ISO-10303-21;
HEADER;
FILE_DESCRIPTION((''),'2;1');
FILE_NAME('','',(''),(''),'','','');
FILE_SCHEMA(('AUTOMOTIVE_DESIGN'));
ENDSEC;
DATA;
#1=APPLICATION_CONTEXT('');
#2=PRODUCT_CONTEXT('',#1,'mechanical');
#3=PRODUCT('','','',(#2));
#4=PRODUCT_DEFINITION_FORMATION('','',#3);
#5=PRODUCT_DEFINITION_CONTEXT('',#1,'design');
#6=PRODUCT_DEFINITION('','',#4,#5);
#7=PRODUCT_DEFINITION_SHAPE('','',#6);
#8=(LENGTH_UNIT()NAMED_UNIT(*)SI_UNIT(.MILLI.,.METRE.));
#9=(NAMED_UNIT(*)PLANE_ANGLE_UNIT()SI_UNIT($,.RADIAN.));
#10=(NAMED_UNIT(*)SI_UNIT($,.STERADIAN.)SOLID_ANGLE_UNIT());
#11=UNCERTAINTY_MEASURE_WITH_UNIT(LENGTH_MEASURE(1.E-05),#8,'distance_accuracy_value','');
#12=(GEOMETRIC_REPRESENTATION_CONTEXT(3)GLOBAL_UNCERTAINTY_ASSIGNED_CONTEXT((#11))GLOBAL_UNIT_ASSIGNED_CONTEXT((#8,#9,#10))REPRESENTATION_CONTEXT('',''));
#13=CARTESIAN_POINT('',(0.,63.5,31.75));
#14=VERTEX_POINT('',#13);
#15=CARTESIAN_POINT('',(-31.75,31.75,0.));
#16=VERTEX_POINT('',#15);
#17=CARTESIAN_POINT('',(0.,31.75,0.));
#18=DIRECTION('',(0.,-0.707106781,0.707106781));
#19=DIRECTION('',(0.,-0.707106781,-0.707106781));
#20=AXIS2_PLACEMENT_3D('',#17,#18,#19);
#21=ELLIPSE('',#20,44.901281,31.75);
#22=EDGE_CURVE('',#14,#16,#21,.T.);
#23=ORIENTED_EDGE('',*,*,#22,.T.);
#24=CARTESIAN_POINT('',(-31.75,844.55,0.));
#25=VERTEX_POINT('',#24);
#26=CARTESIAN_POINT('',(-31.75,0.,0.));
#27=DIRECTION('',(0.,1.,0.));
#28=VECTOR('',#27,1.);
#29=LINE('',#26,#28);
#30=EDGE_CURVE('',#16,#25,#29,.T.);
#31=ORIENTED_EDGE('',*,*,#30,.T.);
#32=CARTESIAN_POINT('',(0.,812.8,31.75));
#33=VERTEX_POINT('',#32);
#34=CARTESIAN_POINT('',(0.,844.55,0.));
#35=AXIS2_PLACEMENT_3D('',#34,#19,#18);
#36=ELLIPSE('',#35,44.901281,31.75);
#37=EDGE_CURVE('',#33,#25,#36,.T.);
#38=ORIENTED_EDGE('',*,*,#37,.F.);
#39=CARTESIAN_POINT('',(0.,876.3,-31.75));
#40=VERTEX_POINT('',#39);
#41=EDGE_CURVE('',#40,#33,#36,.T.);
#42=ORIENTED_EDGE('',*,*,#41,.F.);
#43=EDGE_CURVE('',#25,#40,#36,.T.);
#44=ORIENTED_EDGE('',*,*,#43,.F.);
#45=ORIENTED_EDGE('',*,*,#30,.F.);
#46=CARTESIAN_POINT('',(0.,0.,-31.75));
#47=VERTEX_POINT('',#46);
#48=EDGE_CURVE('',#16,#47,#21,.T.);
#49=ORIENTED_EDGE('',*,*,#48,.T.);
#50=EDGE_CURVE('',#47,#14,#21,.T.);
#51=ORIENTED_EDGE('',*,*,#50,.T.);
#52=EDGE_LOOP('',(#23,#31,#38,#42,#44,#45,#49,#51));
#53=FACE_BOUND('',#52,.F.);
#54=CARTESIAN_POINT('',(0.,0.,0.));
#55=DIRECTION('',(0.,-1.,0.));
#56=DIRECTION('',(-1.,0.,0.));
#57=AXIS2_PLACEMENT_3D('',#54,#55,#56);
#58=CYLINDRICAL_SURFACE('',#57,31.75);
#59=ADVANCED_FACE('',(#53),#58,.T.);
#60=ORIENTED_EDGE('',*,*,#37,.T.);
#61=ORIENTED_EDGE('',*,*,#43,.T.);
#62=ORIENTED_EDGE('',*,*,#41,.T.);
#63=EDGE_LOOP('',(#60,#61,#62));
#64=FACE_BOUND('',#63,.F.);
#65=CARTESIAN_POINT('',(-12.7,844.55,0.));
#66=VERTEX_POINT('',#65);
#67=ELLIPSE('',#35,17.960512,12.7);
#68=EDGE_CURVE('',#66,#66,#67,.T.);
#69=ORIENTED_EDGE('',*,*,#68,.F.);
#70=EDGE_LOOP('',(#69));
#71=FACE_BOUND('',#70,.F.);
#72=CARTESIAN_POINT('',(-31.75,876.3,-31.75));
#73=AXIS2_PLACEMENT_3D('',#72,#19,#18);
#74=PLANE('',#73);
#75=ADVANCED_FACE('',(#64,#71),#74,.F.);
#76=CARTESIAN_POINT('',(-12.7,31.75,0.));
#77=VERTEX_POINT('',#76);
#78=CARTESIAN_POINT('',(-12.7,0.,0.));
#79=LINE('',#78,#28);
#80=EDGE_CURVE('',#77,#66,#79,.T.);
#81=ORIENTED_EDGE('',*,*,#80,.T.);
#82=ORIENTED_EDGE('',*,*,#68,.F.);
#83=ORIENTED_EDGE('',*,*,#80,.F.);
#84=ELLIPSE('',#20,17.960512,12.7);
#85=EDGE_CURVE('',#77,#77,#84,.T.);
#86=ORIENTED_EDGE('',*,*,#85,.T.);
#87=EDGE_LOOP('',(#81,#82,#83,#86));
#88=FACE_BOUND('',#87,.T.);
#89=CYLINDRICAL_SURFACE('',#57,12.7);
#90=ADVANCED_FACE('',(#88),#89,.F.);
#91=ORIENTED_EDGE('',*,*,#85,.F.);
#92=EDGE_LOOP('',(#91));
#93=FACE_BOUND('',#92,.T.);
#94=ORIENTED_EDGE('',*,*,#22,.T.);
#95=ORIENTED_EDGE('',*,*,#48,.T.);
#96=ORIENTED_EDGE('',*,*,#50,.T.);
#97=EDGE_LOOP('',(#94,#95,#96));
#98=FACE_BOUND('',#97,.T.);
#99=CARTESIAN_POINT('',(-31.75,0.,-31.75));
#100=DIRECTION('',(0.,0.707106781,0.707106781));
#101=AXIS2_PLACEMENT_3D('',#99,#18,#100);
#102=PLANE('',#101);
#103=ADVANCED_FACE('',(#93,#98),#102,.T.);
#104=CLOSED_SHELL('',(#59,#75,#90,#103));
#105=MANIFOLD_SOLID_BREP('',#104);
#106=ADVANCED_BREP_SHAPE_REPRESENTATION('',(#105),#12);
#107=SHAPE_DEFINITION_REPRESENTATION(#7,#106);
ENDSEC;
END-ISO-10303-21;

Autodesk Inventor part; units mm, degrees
ref_plane "XZ Plane" through (0, 0, 0) normal (0, 1, 0) x (-1, 0, 0)
ref_plane "XY Plane" through (0, 0, 0) normal (0, 0, 1) x (1, 0, 0)
sketch "Sketch1" plane through (0, 0, 0) normal (0, 1, 0) x (-1, 0, 0)
  circle A0 centre (0, 0) radius 12.7
  circle A1 centre (0, 0) radius 31.75
  dimension "d0" = 63.5
  dimension "d1" = 25.4
extrude "Extrusion1" add sketch "Sketch1" along normal blind 876.3
ref_plane "Work Plane1" through (-31.75, 0, 0) normal (1, 0, 0) x (0, 1, 0)
sketch "Sketch2" plane through (-31.75, 0, 0) normal (1, 0, 0) x (0, 1, 0)
  line L0 (876.3, -31.75) -> (876.3, 31.75) projected
  line L1 (0, -31.75) -> (0, 31.75) projected
  line L2 (0, -31.75) -> (63.5, 31.75)
  line L3 (0, 31.75) -> (876.3, 31.75) projected
  line L4 (876.3, -31.75) -> (812.8, 31.75)
  dimension "d5" = 45
  dimension "d6" = 45
extrude "Extrusion2" cut sketch "Sketch2" along normal blind 977.9
properties part number "BUMP_004_Noodle2" material "Pool Noodle"
